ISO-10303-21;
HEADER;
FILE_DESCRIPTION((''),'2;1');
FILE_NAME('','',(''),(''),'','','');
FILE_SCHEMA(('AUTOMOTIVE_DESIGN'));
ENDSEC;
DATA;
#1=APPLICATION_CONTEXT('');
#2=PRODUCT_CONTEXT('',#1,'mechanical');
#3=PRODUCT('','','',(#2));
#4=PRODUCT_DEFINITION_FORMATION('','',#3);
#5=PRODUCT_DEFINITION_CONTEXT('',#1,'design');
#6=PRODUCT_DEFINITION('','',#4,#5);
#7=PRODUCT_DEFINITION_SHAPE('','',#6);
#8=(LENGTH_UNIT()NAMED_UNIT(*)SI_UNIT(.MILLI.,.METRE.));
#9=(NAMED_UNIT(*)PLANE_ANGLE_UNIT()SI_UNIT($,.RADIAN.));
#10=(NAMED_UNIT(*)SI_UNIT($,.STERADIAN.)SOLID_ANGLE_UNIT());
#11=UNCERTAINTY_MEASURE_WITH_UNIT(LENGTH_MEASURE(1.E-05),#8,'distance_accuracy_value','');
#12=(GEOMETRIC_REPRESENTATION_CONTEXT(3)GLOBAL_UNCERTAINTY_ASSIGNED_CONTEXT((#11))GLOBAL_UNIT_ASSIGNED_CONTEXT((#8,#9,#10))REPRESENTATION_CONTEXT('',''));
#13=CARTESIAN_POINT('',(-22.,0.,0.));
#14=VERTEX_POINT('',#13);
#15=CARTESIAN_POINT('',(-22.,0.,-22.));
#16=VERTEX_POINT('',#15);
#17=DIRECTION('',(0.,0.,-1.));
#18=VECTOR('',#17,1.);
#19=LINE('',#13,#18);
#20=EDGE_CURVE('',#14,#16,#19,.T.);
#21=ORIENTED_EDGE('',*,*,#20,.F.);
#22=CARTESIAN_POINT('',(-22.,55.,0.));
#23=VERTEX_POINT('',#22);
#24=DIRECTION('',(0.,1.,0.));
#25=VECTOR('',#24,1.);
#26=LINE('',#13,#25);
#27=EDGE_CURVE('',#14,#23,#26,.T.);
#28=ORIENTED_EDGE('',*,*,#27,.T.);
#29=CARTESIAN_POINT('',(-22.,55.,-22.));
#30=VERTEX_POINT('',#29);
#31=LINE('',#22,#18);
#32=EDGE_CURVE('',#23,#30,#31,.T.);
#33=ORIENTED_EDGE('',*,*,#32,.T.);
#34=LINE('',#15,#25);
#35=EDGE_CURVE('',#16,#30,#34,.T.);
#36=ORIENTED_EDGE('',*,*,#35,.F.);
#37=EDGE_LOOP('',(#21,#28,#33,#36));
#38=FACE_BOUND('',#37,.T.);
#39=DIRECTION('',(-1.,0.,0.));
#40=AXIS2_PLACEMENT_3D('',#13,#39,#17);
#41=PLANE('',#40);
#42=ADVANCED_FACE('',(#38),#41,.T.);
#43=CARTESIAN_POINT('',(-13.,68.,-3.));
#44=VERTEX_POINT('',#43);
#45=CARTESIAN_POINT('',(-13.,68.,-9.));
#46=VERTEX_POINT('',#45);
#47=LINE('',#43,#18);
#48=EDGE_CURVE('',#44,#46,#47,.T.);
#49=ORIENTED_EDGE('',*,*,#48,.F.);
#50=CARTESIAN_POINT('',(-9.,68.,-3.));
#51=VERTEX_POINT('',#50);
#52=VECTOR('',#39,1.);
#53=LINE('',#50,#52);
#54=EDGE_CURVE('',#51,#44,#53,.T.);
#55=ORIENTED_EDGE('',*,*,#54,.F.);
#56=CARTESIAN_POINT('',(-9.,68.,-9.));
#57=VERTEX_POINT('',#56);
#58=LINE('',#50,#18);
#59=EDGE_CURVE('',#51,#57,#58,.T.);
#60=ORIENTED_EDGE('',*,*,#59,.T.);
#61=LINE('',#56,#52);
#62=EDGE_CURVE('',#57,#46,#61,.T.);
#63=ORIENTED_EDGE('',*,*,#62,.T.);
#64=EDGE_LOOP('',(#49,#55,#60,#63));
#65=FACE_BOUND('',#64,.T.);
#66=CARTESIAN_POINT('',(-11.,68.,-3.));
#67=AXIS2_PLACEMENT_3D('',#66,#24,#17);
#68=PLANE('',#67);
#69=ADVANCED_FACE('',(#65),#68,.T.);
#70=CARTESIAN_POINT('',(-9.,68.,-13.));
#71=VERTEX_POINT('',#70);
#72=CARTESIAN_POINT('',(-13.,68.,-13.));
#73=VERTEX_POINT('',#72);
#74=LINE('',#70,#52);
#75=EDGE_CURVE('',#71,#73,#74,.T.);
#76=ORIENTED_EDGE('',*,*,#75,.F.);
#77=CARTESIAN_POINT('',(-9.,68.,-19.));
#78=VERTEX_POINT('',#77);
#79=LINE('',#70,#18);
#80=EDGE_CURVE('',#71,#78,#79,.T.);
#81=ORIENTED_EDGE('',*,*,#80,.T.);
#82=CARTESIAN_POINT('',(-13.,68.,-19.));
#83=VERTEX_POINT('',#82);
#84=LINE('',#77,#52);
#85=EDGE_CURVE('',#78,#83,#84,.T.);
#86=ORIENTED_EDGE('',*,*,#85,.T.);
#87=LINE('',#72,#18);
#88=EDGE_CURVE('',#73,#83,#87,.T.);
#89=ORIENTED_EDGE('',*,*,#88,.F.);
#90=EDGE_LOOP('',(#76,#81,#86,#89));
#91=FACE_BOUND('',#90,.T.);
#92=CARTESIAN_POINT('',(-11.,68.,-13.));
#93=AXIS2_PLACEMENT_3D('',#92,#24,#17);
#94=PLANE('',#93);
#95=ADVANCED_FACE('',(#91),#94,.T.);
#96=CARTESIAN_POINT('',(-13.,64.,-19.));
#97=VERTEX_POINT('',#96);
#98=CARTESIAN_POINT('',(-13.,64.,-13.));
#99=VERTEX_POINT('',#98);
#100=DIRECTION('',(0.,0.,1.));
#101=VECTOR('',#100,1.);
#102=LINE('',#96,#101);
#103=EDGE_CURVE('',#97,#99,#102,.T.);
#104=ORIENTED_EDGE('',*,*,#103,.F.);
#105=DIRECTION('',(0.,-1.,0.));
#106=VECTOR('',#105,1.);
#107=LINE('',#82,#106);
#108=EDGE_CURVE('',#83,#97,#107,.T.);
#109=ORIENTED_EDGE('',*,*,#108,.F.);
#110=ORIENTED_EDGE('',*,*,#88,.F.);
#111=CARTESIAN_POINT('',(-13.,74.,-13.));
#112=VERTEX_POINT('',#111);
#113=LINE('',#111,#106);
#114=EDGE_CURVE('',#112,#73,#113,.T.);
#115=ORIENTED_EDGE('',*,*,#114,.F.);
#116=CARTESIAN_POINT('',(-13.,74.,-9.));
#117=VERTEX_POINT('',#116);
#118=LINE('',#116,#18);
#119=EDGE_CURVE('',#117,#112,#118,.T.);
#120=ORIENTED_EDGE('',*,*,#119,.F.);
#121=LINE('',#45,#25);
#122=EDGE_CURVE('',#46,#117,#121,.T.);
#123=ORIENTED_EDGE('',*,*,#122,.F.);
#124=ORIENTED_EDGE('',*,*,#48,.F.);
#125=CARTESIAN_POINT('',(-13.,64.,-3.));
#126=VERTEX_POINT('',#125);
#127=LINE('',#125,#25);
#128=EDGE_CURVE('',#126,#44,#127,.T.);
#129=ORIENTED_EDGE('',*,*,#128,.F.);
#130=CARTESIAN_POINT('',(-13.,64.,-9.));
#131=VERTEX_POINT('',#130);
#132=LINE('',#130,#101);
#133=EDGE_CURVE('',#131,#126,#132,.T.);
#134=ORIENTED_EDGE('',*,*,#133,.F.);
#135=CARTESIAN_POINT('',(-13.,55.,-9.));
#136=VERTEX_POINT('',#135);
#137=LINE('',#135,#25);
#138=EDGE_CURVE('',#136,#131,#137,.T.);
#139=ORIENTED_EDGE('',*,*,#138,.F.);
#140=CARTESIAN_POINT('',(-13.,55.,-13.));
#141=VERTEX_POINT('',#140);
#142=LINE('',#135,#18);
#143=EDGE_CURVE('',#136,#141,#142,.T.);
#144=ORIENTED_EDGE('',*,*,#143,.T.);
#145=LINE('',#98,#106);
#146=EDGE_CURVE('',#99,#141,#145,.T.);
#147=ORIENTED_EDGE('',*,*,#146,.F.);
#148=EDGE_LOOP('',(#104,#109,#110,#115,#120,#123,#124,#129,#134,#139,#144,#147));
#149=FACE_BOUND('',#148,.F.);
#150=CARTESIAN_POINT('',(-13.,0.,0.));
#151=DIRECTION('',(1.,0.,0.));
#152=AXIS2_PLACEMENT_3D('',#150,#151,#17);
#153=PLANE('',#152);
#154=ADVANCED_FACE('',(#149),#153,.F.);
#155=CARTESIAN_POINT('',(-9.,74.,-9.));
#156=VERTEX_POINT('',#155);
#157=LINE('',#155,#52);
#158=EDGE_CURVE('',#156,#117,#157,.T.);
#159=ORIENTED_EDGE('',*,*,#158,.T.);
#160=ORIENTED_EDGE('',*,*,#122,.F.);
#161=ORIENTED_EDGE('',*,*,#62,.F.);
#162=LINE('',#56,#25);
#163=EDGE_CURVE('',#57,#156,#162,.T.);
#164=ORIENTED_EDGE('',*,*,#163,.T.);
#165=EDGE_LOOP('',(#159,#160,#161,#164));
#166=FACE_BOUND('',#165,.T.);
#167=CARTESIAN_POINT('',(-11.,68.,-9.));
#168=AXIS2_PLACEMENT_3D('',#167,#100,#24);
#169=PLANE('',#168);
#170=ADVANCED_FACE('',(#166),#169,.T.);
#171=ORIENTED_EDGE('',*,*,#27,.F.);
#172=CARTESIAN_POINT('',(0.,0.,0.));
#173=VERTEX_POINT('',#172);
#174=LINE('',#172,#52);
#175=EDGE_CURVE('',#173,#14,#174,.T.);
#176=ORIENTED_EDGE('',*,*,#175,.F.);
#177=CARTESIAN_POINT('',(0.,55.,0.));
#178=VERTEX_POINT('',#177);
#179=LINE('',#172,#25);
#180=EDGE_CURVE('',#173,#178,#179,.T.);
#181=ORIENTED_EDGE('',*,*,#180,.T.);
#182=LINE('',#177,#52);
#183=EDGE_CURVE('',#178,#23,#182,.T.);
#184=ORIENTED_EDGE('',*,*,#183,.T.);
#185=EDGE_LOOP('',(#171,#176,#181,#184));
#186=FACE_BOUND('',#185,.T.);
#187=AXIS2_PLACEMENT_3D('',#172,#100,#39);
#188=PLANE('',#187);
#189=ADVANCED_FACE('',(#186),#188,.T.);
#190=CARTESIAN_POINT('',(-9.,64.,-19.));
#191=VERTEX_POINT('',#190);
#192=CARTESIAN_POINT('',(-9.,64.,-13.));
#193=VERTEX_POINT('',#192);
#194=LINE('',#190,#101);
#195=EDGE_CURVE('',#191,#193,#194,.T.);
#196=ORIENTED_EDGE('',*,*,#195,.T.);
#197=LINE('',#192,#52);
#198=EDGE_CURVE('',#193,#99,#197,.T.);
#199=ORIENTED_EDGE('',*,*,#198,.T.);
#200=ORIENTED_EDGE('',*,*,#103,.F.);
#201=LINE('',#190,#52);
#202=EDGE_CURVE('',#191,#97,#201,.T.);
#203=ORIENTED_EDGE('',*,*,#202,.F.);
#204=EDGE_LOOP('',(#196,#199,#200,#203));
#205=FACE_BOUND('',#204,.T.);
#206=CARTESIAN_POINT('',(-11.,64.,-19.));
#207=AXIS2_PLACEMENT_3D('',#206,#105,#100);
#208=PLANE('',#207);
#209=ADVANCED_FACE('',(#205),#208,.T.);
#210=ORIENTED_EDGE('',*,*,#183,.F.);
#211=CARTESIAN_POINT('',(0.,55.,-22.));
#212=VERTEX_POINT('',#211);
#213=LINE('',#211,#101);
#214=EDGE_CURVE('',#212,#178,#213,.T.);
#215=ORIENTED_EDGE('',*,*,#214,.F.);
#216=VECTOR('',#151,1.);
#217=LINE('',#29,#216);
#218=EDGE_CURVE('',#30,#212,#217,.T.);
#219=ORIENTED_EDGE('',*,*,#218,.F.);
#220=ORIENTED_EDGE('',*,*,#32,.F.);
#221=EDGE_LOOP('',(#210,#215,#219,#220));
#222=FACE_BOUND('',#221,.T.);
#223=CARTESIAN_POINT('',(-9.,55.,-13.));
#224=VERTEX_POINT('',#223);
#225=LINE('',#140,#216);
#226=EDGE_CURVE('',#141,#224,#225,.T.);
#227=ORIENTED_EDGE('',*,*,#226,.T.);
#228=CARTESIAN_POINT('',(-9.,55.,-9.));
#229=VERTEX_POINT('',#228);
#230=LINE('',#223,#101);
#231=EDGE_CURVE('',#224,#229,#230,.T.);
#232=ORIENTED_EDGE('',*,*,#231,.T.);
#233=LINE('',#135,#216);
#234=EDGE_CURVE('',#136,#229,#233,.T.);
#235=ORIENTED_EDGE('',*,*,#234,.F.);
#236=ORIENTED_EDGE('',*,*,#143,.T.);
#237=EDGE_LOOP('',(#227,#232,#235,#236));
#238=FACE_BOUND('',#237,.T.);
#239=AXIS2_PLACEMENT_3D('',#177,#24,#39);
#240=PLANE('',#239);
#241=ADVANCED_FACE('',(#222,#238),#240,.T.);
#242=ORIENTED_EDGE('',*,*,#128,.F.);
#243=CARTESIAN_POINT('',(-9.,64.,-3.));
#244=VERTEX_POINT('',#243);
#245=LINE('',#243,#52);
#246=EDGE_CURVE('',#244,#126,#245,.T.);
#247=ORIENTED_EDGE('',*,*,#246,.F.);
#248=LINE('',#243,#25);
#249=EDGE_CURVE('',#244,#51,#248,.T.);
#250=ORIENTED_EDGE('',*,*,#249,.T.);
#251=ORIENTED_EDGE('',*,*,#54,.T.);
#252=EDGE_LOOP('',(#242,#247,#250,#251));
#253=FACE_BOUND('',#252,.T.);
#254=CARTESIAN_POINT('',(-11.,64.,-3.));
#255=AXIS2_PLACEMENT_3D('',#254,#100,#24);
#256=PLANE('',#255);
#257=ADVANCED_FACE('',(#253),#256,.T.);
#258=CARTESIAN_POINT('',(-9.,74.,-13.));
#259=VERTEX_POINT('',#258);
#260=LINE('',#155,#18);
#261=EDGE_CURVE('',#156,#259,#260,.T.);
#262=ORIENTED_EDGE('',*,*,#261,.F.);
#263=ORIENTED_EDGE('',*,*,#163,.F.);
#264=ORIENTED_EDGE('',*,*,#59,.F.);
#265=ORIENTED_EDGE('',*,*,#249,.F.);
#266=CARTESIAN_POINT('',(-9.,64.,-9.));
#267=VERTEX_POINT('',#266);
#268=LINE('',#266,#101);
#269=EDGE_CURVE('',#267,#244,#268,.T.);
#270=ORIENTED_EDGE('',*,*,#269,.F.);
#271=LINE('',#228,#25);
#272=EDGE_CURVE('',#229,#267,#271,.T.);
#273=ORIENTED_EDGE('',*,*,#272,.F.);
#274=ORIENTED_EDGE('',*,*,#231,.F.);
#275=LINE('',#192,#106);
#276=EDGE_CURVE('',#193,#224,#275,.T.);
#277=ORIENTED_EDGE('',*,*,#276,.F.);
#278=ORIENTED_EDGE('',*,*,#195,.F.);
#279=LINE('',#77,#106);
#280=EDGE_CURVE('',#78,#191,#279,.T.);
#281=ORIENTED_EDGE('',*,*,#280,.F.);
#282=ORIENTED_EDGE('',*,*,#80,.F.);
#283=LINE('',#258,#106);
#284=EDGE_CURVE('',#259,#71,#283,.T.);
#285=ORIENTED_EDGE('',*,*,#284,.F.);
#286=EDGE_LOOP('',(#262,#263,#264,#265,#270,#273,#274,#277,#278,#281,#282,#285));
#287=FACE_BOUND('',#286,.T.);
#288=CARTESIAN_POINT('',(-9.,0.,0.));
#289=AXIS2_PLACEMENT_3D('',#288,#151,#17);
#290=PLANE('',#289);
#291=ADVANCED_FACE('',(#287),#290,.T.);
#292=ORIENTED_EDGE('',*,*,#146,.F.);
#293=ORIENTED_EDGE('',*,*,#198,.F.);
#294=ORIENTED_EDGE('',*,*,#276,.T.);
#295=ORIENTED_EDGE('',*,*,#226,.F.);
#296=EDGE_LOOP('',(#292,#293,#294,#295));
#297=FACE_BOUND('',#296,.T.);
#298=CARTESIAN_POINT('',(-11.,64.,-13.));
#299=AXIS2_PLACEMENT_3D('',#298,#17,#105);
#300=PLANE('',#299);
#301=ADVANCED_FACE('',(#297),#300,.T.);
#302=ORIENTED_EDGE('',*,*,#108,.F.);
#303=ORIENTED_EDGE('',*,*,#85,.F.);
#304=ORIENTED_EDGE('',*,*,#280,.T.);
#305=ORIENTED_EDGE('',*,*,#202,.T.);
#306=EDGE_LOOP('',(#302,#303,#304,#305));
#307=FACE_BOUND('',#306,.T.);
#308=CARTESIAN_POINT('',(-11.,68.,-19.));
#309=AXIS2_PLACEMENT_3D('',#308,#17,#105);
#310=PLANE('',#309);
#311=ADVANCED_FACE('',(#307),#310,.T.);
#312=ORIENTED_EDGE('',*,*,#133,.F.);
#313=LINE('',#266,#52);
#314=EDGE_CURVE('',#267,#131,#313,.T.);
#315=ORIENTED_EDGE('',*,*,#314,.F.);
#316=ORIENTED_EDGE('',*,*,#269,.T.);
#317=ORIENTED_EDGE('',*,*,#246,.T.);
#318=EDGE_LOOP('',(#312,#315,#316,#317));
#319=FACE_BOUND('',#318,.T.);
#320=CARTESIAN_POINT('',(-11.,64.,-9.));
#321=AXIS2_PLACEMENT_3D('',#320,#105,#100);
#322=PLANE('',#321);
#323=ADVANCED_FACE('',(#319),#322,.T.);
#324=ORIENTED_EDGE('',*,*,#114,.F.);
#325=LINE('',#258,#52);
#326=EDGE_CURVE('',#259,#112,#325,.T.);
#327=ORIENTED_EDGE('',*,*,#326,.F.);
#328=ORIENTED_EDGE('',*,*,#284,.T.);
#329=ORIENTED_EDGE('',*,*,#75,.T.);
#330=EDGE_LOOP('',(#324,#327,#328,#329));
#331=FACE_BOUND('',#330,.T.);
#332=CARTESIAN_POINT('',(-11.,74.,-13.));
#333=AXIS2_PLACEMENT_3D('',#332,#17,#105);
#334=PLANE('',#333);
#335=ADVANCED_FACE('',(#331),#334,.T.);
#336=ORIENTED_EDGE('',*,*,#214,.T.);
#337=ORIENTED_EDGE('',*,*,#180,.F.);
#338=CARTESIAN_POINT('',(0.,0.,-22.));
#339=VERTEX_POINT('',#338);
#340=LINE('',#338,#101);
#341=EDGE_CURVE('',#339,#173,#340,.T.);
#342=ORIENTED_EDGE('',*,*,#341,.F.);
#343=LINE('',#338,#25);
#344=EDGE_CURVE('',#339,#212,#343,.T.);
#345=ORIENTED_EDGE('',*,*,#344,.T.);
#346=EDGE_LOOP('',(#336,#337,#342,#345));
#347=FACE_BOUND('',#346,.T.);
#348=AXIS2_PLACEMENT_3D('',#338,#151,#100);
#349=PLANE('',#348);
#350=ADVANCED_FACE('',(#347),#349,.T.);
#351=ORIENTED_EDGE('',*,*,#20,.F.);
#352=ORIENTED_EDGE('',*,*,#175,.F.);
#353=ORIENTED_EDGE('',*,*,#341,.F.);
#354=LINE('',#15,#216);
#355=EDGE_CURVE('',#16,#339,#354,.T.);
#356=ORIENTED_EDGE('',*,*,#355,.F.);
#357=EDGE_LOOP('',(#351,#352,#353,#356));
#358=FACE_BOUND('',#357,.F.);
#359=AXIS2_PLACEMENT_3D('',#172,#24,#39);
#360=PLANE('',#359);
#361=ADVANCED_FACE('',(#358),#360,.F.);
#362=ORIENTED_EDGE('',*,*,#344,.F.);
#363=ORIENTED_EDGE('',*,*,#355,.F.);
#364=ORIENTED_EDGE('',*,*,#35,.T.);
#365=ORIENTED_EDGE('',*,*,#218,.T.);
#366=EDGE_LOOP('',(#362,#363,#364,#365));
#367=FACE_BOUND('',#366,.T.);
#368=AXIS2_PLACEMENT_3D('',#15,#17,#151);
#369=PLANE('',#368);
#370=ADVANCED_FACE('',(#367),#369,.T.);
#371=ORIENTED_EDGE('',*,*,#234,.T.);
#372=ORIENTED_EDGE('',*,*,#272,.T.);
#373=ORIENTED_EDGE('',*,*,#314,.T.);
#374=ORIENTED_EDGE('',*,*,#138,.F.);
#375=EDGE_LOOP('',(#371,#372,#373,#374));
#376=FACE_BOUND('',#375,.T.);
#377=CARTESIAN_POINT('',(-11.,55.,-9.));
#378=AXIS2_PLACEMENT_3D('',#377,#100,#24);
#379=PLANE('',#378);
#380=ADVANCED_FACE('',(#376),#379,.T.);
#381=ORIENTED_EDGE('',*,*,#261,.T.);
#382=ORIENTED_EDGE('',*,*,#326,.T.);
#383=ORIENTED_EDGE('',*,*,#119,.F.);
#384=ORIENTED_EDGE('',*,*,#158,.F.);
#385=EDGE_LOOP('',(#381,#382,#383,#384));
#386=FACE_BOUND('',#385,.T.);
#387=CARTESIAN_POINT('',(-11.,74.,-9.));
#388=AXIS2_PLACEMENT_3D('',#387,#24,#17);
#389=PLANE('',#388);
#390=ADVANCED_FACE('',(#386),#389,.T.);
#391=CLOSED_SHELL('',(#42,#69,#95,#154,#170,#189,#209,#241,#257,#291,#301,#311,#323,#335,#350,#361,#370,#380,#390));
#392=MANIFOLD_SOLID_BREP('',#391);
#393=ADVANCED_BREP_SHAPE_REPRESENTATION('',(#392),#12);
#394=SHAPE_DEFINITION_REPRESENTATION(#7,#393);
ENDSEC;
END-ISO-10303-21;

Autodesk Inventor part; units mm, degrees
ref_plane "YZ Plane" through (0, 0, 0) normal (1, 0, 0) x (0, 1, 0)
ref_plane "XZ Plane" through (0, 0, 0) normal (0, 1, 0) x (-1, 0, 0)
ref_plane "XY Plane" through (0, 0, 0) normal (0, 0, 1) x (1, 0, 0)
sketch "Sketch1" plane through (0, 0, 0) normal (0, 1, 0) x (-1, 0, 0)
  line L0 (0, 0) -> (22, 0)
  line L1 (22, 0) -> (22, -22)
  line L2 (22, -22) -> (0, -22)
  line L3 (0, -22) -> (0, 0)
  dimension "d0" = 22
  dimension "d1" = 22
extrude "Extrusion1" add sketch "Sketch1" along normal blind 55
ref_plane "Work Plane1" through (-11, 0, 0) normal (1, 0, 0) x (0, 0, -1)
sketch "Sketch2" plane through (-11, 0, 0) normal (1, 0, 0) x (0, 0, -1)
  line L0 (0, 55) -> (22, 55) projected
  line L1 (11, 55) -> (9, 55)
  line L2 (22, 55) -> (0, 55) projected
  line L3 (9, 55) -> (9, 64)
  line L4 (9, 64) -> (3, 64)
  line L5 (3, 64) -> (3, 68)
  line L6 (3, 68) -> (9, 68)
  line L7 (9, 68) -> (9, 74)
  line L8 (9, 74) -> (13, 74)
  line L9 (13, 74) -> (13, 68)
  line L10 (13, 68) -> (19, 68)
  line L11 (19, 68) -> (19, 64)
  line L12 (19, 64) -> (13, 64)
  line L13 (13, 64) -> (13, 55)
  point P0 (0, 0)
  dimension "d4" = 2
  dimension "d5" = 9
  dimension "d6" = 6
  dimension "d7" = 4
  dimension "d8" = 6
  dimension "d9" = 4
  dimension "d10" = 6
extrude "Extrusion2" add sketch "Sketch2" along normal mid plane 4
properties part number "king"
